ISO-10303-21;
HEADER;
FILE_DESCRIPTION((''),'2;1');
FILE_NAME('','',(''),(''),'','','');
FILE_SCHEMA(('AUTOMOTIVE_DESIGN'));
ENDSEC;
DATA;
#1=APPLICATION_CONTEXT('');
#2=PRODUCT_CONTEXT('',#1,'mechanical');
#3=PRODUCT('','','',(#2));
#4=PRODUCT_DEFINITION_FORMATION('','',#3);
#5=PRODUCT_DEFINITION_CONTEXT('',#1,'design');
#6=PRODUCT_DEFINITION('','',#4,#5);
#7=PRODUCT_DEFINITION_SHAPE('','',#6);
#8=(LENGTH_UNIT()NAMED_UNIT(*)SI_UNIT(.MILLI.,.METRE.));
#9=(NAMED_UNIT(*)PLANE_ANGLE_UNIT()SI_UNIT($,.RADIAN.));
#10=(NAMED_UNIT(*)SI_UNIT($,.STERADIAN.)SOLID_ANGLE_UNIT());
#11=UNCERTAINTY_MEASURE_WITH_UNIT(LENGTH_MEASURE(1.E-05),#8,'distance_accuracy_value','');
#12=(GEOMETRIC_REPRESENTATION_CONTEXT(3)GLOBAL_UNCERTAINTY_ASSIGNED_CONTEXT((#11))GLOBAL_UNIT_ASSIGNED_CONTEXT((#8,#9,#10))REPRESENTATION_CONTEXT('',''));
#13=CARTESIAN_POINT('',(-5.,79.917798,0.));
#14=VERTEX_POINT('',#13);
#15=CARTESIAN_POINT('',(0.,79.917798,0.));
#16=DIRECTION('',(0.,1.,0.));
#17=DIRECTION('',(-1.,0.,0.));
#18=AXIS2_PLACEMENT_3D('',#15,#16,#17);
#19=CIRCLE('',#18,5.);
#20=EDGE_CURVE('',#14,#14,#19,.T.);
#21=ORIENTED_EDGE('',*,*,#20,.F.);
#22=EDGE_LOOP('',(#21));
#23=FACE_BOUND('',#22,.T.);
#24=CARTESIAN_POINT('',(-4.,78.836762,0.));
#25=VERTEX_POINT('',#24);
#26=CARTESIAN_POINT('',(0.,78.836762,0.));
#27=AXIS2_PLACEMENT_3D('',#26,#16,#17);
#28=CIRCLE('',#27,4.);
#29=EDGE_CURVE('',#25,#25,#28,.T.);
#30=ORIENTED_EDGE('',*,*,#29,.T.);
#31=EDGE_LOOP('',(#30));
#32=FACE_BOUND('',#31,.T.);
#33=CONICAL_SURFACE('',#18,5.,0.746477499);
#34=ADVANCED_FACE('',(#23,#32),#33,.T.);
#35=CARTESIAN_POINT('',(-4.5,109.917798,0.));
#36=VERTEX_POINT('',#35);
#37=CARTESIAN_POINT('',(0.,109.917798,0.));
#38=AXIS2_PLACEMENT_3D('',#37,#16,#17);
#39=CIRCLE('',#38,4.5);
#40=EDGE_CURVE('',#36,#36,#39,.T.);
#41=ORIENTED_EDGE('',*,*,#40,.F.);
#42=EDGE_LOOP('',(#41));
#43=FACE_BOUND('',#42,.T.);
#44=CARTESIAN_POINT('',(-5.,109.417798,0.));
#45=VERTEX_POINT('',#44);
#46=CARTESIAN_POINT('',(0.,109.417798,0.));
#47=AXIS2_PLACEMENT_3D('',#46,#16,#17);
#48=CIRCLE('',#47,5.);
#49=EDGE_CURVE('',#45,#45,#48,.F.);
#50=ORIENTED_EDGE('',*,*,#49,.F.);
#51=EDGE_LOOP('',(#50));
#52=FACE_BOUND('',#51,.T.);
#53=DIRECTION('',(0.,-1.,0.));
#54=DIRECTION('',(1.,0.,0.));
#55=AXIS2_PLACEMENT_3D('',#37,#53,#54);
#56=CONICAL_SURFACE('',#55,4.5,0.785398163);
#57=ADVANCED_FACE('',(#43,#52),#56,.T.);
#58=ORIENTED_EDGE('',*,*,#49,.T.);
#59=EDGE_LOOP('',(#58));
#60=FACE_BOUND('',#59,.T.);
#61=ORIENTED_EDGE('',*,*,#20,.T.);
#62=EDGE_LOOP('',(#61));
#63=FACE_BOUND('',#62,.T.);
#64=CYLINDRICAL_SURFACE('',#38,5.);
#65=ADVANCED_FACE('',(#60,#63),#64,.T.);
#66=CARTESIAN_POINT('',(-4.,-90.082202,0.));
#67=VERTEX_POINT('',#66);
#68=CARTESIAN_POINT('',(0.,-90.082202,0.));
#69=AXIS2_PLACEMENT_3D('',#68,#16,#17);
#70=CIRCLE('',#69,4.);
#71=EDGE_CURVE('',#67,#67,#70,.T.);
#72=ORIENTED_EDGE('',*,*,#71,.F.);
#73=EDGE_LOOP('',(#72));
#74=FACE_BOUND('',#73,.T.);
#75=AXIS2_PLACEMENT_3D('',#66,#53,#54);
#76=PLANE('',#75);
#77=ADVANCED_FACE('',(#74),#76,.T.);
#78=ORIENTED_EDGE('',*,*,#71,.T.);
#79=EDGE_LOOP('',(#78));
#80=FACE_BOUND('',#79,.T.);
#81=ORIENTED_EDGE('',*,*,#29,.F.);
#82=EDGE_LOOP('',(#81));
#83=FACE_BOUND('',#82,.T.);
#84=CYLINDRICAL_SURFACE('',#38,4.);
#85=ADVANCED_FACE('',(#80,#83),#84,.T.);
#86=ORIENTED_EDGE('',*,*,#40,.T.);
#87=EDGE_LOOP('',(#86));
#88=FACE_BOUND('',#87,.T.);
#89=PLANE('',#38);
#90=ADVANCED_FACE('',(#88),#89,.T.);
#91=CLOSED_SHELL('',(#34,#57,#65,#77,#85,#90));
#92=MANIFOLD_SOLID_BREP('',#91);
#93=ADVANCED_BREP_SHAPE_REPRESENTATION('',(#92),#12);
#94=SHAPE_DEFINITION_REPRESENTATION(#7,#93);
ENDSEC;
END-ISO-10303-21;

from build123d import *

# Parameters (mm, degrees)
SFAZOWANIE1_SIZE = 0.5


with BuildPart() as part:
    # Szkic1 → Obrót1 (revolve)
    with BuildSketch(Plane.XY):
        Polygon((0, 109.917798467), (-5, 109.917798467), (-5, 79.917798467), (-4, 78.836762231), (-4, -90.082201533), (0, -90.082201533), align=None)
    revolve(axis=Axis((0, 109.917798467, 0), (0, -1, 0)))

    # Sfazowanie1
    sfazowanie1_edges = [part.edges().sort_by_distance(p)[0] for p in [
        (5, 109.917798467, 0),
    ]]
    chamfer(sfazowanie1_edges, length=SFAZOWANIE1_SIZE)


solid = part.part
